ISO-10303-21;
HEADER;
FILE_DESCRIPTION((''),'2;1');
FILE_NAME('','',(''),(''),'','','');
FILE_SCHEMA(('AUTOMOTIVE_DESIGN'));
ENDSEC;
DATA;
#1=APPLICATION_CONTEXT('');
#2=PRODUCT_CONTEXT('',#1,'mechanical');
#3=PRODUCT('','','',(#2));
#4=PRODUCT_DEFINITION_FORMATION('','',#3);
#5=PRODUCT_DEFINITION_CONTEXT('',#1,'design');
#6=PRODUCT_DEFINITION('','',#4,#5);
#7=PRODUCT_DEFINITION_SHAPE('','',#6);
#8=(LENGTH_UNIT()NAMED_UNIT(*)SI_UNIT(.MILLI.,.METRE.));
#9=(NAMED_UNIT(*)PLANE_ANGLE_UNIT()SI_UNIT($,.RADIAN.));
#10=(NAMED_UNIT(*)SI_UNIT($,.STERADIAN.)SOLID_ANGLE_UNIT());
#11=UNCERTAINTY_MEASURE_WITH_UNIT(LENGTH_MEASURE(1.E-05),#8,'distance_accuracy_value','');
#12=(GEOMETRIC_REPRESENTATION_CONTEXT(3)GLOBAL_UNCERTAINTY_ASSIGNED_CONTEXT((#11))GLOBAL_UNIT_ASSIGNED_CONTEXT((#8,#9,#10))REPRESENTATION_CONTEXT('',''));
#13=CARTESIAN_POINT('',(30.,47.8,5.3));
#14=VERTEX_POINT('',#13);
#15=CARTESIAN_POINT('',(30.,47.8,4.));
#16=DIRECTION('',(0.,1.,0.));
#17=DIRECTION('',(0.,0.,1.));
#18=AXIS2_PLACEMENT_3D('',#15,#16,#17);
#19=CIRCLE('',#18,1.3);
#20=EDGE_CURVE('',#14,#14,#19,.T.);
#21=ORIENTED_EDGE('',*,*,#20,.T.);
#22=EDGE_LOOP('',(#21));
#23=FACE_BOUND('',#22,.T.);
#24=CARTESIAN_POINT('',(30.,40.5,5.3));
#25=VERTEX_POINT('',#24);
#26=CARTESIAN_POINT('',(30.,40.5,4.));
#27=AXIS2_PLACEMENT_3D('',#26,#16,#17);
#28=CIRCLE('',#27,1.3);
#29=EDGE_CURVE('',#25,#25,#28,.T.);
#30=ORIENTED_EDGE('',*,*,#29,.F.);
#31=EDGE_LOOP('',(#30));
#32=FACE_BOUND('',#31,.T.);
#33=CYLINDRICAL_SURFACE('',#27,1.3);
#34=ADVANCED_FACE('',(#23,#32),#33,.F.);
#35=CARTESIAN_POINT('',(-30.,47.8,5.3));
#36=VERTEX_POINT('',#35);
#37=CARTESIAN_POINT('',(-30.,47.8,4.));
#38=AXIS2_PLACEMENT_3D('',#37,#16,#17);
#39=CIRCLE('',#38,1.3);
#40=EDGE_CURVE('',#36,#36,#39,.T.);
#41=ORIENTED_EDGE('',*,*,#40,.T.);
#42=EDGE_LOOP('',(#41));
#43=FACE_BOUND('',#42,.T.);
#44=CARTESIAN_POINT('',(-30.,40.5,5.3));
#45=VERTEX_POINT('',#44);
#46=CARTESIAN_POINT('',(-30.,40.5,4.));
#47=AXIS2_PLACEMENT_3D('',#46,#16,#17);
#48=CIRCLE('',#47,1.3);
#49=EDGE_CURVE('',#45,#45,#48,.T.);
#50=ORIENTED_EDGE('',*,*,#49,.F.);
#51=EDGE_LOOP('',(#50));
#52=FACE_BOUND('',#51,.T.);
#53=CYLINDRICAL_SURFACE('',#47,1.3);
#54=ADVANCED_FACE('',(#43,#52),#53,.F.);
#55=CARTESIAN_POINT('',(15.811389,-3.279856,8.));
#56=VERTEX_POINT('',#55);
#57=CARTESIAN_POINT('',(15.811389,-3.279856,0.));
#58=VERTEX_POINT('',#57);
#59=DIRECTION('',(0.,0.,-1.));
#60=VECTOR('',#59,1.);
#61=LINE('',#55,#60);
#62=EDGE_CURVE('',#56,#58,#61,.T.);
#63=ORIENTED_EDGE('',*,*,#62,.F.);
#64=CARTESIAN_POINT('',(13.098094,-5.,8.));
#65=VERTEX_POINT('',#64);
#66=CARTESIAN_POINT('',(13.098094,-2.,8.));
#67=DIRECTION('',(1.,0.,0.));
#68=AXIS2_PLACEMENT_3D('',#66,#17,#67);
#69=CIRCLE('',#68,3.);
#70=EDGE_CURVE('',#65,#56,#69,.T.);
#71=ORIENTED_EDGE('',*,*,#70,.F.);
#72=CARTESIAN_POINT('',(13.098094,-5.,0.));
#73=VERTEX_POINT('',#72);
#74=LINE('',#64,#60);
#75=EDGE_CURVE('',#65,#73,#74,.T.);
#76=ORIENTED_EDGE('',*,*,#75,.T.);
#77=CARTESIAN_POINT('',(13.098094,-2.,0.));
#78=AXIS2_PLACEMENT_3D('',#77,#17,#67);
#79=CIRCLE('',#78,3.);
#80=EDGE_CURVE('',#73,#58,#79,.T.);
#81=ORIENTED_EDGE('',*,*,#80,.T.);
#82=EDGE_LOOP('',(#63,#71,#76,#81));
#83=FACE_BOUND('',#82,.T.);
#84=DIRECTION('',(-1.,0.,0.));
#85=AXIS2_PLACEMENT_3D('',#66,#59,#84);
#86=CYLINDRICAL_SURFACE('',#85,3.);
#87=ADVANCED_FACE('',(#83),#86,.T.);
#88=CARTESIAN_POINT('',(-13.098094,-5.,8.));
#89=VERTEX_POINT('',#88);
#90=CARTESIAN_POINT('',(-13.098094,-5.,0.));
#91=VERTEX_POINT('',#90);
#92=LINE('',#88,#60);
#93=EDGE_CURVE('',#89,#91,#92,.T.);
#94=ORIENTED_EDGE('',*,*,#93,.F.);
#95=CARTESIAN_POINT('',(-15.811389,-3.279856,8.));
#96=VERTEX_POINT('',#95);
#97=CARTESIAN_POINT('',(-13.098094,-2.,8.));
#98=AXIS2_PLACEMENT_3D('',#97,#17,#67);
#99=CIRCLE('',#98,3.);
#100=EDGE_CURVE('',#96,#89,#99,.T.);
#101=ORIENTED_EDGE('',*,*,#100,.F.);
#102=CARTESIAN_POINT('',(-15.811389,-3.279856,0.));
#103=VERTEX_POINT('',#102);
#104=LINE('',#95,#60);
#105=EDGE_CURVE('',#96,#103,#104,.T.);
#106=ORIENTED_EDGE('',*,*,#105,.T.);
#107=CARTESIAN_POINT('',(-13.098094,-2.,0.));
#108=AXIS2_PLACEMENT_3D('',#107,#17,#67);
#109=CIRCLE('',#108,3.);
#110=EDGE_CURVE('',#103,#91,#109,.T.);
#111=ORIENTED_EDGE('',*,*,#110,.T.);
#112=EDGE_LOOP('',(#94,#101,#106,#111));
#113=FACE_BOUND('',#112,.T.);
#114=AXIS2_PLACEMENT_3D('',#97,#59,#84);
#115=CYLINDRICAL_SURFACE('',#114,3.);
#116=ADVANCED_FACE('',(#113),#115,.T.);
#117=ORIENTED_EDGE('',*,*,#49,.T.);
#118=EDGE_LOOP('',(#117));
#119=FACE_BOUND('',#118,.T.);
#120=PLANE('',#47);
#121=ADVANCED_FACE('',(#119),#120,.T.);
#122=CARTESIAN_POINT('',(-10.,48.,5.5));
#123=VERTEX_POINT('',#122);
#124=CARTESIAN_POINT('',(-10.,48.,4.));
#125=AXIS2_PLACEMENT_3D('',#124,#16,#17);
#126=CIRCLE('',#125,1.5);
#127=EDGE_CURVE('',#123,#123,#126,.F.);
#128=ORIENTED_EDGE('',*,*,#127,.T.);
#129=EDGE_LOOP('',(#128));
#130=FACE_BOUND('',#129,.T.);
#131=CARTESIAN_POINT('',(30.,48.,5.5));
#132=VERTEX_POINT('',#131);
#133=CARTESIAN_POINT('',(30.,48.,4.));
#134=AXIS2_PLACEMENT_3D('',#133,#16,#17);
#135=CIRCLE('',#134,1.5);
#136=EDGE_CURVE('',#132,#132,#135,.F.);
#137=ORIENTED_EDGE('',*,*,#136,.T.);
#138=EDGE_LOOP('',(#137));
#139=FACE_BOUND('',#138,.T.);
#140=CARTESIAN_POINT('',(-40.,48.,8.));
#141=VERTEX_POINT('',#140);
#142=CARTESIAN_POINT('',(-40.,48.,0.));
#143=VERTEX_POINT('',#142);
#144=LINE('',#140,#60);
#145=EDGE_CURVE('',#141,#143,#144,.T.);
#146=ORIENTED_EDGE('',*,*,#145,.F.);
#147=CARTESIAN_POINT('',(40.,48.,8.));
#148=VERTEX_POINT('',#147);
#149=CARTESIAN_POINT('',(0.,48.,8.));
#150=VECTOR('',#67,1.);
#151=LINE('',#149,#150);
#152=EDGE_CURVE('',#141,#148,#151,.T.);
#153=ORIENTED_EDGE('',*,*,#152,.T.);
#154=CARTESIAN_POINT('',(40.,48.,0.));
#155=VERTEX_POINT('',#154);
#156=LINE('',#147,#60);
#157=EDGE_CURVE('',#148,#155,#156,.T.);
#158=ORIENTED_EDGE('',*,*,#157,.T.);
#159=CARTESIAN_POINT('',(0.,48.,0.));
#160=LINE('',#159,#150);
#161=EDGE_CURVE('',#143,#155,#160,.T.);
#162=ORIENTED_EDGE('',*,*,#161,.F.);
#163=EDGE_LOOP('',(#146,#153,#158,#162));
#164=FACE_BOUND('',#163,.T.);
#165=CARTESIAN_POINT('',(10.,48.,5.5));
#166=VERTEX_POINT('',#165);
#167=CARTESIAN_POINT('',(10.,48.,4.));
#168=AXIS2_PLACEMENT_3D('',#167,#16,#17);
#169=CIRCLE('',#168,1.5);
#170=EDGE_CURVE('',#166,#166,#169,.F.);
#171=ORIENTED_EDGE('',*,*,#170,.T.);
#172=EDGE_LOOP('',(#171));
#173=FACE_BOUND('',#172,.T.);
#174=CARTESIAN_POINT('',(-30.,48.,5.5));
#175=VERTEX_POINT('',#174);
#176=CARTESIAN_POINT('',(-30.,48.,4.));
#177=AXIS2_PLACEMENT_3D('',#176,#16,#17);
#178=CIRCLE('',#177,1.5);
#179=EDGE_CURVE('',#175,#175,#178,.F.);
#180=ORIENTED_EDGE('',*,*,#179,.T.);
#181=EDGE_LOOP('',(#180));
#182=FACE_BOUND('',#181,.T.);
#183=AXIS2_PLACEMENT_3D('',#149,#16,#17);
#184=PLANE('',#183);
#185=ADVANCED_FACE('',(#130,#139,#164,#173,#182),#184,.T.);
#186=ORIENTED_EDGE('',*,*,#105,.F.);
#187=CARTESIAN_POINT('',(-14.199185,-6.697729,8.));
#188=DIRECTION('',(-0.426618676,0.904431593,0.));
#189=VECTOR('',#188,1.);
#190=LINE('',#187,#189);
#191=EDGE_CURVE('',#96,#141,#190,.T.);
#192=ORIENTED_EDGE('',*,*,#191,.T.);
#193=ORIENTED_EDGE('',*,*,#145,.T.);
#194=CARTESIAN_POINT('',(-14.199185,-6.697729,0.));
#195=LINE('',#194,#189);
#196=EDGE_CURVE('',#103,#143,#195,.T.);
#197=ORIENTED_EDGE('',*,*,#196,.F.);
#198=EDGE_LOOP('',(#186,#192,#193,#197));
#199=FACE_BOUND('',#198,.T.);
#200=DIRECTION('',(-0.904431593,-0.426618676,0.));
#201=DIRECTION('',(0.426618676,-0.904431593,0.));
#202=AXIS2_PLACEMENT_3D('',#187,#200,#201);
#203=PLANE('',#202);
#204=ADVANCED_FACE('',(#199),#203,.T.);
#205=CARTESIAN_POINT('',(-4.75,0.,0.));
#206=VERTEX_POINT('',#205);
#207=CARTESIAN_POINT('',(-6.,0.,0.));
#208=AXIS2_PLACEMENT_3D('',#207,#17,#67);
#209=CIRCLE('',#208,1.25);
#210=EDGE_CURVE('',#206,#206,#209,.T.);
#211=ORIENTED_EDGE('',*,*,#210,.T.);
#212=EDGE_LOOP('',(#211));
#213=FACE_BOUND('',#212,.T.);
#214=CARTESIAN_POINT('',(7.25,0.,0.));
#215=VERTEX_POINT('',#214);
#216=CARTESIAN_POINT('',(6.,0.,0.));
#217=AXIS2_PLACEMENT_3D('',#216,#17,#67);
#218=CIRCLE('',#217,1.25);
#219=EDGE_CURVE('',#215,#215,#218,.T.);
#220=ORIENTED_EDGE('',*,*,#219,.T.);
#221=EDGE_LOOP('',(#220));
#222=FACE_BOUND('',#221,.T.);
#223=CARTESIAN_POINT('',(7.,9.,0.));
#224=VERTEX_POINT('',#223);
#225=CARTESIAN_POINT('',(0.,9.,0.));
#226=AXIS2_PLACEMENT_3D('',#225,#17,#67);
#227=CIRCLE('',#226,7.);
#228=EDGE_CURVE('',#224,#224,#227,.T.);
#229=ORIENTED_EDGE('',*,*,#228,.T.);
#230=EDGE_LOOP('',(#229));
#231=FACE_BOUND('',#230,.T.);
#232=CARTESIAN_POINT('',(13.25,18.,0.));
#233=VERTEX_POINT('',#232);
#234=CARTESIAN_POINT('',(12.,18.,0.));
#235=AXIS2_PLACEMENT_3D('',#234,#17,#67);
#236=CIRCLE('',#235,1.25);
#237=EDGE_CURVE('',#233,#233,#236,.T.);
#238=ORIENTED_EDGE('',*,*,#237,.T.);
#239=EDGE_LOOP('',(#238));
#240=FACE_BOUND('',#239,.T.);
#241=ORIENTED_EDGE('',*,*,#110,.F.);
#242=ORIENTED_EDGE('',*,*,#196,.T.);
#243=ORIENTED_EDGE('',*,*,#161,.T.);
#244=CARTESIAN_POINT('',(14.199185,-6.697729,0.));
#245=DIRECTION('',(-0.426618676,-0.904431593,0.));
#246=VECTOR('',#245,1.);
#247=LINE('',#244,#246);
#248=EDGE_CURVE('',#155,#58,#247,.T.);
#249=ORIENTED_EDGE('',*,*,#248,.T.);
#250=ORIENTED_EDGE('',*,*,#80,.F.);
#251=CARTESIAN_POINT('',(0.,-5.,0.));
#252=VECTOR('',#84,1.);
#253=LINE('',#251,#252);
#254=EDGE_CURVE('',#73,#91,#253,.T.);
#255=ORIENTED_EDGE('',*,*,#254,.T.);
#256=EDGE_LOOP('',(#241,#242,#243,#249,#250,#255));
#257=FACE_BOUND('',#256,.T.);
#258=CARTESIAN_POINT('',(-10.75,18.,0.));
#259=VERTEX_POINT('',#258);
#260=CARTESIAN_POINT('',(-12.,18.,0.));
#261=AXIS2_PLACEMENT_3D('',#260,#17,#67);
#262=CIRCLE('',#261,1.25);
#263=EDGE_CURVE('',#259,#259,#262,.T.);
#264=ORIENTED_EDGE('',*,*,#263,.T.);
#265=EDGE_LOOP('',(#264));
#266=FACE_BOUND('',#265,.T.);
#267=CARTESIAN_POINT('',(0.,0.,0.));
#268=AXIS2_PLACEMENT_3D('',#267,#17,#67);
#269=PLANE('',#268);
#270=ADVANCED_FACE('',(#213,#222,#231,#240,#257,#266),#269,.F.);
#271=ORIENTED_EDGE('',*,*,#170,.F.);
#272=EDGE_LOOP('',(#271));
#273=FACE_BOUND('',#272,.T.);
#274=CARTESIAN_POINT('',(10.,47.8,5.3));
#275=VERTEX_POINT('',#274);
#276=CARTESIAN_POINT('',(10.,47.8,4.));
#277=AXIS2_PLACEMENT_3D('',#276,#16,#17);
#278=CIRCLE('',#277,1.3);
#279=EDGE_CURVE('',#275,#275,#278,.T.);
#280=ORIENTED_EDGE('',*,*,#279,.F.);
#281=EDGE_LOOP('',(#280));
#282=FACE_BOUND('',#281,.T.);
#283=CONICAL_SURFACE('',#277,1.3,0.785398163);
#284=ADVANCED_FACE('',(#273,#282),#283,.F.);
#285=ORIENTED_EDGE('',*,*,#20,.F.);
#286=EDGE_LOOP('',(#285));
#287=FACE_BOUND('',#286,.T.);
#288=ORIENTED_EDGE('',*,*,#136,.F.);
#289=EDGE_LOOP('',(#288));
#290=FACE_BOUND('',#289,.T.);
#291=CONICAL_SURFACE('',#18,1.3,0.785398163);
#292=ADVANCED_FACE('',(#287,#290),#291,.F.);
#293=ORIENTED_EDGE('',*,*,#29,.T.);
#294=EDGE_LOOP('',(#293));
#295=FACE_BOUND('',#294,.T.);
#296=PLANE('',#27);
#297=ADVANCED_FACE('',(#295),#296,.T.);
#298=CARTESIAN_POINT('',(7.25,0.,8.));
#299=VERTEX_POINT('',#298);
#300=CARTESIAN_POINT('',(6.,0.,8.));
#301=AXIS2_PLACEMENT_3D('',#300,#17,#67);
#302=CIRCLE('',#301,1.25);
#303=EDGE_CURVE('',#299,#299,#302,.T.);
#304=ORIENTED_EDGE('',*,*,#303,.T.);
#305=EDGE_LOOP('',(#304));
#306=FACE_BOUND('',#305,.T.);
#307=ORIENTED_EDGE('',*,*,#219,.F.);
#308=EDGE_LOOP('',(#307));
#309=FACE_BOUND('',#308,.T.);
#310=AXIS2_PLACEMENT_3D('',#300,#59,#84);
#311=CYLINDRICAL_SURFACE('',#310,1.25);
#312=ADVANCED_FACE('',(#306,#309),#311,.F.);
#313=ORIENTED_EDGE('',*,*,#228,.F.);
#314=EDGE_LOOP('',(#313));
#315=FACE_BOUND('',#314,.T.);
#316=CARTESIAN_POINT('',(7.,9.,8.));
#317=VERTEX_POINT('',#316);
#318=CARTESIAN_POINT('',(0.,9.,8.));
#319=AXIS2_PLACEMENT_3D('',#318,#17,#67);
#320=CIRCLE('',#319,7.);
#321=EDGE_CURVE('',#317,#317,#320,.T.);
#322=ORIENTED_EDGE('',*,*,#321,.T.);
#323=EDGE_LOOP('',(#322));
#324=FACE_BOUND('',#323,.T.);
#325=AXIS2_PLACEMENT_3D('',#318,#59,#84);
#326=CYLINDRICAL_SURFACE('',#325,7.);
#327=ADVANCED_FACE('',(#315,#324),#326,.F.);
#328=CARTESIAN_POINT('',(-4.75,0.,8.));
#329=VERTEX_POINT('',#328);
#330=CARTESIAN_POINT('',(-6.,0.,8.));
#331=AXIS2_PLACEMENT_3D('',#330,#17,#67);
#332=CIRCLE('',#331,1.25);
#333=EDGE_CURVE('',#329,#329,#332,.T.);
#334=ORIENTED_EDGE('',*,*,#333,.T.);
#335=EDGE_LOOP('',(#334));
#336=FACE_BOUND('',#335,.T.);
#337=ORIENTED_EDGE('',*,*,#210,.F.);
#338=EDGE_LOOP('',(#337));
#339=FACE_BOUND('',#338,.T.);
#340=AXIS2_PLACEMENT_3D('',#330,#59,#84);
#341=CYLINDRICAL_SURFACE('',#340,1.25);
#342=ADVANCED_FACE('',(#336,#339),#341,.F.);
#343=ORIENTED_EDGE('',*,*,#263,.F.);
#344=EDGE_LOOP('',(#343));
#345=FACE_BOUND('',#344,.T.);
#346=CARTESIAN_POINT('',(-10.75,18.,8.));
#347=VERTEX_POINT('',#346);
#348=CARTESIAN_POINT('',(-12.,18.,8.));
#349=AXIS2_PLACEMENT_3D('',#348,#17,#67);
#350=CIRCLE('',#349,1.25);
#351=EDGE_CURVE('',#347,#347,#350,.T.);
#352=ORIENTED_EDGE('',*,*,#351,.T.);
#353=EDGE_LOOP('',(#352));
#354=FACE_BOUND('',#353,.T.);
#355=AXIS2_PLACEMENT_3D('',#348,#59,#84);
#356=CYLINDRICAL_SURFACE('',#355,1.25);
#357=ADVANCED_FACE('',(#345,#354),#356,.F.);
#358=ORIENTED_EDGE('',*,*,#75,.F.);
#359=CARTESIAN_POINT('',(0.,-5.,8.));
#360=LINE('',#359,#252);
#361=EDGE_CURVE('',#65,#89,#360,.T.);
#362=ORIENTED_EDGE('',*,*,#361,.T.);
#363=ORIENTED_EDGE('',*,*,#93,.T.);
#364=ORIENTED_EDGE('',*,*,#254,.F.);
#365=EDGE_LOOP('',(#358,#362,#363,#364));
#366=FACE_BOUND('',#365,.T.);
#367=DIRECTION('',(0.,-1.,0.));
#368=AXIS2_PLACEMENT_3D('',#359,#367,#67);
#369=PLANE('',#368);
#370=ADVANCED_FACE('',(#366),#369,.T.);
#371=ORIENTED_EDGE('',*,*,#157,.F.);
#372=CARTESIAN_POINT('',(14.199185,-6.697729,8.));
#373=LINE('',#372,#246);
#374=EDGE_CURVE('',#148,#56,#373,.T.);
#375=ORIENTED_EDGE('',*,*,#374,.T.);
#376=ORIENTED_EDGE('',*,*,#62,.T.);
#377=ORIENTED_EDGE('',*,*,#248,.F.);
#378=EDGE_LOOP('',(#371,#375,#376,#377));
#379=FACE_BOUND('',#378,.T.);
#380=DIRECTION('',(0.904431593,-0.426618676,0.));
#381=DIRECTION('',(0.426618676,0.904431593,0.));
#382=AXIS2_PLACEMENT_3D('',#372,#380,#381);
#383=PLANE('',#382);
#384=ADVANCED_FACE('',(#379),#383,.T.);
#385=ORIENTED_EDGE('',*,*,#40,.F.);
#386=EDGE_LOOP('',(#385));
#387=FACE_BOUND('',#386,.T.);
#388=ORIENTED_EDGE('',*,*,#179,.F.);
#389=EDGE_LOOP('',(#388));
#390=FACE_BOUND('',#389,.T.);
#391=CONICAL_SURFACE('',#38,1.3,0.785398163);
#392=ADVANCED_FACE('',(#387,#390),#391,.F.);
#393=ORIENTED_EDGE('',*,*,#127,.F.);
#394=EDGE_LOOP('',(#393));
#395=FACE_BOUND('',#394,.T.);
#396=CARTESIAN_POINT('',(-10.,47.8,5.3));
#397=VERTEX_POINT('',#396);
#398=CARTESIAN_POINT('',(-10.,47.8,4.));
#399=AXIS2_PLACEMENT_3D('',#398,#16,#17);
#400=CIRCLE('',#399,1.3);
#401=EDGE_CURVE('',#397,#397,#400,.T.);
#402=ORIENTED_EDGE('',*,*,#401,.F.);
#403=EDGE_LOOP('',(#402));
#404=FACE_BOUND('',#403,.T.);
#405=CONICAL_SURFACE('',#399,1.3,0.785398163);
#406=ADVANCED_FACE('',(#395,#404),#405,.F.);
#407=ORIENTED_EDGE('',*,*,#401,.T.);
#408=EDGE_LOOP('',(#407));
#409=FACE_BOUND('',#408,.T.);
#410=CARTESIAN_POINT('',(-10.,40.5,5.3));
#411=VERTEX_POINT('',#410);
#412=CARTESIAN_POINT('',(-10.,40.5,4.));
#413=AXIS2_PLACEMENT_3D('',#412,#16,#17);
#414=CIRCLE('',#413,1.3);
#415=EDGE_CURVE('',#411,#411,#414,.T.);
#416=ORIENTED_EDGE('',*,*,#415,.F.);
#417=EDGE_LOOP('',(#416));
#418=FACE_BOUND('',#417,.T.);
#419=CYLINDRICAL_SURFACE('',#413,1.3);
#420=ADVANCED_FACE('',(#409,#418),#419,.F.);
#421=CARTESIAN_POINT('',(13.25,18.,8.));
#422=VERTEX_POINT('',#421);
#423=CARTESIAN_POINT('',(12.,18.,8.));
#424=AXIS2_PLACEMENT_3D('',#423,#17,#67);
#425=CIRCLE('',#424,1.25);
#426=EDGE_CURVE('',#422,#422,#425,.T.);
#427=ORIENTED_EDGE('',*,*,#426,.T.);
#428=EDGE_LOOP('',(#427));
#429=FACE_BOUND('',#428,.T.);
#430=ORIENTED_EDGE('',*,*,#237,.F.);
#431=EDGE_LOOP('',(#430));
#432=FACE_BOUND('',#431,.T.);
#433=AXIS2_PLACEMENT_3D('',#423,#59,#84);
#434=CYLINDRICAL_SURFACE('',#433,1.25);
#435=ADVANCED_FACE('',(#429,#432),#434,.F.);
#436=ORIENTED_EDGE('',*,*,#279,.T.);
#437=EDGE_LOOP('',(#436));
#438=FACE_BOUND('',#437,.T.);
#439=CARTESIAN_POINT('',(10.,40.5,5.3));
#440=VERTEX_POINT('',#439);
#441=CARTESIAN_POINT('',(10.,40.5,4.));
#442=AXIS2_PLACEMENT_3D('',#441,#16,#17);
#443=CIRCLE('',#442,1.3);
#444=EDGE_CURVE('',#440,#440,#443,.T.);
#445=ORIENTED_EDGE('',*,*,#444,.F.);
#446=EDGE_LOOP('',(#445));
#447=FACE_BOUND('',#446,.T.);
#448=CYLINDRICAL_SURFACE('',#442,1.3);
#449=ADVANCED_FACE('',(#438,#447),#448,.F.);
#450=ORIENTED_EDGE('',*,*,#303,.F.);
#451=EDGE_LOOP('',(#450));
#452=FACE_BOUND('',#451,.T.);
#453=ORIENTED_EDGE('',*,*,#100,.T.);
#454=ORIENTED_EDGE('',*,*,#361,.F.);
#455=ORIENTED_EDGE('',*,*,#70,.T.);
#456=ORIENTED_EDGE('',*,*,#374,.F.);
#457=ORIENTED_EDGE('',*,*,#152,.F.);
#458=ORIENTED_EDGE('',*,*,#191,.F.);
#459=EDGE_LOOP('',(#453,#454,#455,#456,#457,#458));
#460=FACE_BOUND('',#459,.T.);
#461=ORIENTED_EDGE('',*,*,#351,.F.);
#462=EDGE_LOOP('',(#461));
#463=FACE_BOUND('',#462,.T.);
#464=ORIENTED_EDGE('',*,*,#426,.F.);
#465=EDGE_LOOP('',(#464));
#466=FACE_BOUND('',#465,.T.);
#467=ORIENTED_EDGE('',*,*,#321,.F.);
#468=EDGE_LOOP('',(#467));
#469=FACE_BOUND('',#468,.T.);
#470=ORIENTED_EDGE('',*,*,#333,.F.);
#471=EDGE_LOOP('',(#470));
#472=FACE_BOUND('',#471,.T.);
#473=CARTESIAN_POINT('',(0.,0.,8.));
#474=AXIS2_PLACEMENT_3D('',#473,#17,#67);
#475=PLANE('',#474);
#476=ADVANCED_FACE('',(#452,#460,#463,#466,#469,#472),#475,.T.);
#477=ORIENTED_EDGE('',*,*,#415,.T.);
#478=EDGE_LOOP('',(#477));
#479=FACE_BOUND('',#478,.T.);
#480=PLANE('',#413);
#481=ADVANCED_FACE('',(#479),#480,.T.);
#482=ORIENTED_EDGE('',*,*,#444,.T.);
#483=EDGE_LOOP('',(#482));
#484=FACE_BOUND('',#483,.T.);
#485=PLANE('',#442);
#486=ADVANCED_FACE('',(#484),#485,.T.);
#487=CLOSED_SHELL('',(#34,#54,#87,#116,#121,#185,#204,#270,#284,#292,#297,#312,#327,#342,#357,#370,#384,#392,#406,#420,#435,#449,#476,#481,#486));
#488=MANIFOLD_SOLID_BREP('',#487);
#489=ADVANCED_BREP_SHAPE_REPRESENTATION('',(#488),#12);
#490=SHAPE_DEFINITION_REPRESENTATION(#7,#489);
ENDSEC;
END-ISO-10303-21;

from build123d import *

# Parameters (mm, degrees)
SKETCH_1_R          = 1.25
SKETCH_1_R_2        = 7
EXTRUDE_1_DEPTH     = 8
SKETCH_2_R          = 1.3
CUT_EXTRUDE_1_DEPTH = 7.5
CHAMFER_1_SIZE      = 0.2


with BuildPart() as part:
    # 草圖1 → 填料-伸長1 (new body)
    with BuildSketch(Plane.XY):
        with BuildLine():
            Line((0, -5), (-13.098093889, -5))
            ThreePointArc((-13.098093889, -5), (-14.704398953, -4.533729275), (-15.811388666, -3.279856027))
            Line((-15.811388666, -3.279856027), (-40, 48))
            Line((-40, 48), (0, 48))
            Line((0, 48), (40, 48))
            Line((40, 48), (15.811388666, -3.279856027))
            ThreePointArc((15.811388666, -3.279856027), (14.704398953, -4.533729275), (13.098093889, -5))
            Line((13.098093889, -5), (0, -5))
        make_face()
        with Locations((6, 0)):
            Circle(SKETCH_1_R, mode=Mode.SUBTRACT)
        with Locations((-6, 0)):
            Circle(SKETCH_1_R, mode=Mode.SUBTRACT)
        with Locations((-12, 18)):
            Circle(SKETCH_1_R, mode=Mode.SUBTRACT)
        with Locations((12, 18)):
            Circle(SKETCH_1_R, mode=Mode.SUBTRACT)
        with Locations((0, 9)):
            Circle(SKETCH_1_R_2, mode=Mode.SUBTRACT)
    extrude(amount=EXTRUDE_1_DEPTH)

    # 草圖2 → 除料-伸長1 (cut)
    with BuildSketch(Plane(origin=(0, 48, 0), x_dir=(1, 0, 0), z_dir=(0, 1, 0))):
        with Locations(Location((-10, -4, 0), (0, 0, 270))):
            Circle(SKETCH_2_R)
        with Locations(Location((-30, -4, 0), (0, 0, 270))):
            Circle(SKETCH_2_R)
        with Locations(Location((10, -4, 0), (0, 0, 270))):
            Circle(SKETCH_2_R)
        with Locations(Location((30, -4, 0), (0, 0, 270))):
            Circle(SKETCH_2_R)
    extrude(amount=-CUT_EXTRUDE_1_DEPTH, mode=Mode.SUBTRACT)

    # 導角1
    chamfer_1_edges = [part.edges().sort_by_distance(p)[0] for p in [
        (30, 48, 2.7),
        (10, 48, 2.7),
        (-30, 48, 2.7),
        (-10, 48, 2.7),
    ]]
    chamfer(chamfer_1_edges, length=CHAMFER_1_SIZE)


solid = part.part
